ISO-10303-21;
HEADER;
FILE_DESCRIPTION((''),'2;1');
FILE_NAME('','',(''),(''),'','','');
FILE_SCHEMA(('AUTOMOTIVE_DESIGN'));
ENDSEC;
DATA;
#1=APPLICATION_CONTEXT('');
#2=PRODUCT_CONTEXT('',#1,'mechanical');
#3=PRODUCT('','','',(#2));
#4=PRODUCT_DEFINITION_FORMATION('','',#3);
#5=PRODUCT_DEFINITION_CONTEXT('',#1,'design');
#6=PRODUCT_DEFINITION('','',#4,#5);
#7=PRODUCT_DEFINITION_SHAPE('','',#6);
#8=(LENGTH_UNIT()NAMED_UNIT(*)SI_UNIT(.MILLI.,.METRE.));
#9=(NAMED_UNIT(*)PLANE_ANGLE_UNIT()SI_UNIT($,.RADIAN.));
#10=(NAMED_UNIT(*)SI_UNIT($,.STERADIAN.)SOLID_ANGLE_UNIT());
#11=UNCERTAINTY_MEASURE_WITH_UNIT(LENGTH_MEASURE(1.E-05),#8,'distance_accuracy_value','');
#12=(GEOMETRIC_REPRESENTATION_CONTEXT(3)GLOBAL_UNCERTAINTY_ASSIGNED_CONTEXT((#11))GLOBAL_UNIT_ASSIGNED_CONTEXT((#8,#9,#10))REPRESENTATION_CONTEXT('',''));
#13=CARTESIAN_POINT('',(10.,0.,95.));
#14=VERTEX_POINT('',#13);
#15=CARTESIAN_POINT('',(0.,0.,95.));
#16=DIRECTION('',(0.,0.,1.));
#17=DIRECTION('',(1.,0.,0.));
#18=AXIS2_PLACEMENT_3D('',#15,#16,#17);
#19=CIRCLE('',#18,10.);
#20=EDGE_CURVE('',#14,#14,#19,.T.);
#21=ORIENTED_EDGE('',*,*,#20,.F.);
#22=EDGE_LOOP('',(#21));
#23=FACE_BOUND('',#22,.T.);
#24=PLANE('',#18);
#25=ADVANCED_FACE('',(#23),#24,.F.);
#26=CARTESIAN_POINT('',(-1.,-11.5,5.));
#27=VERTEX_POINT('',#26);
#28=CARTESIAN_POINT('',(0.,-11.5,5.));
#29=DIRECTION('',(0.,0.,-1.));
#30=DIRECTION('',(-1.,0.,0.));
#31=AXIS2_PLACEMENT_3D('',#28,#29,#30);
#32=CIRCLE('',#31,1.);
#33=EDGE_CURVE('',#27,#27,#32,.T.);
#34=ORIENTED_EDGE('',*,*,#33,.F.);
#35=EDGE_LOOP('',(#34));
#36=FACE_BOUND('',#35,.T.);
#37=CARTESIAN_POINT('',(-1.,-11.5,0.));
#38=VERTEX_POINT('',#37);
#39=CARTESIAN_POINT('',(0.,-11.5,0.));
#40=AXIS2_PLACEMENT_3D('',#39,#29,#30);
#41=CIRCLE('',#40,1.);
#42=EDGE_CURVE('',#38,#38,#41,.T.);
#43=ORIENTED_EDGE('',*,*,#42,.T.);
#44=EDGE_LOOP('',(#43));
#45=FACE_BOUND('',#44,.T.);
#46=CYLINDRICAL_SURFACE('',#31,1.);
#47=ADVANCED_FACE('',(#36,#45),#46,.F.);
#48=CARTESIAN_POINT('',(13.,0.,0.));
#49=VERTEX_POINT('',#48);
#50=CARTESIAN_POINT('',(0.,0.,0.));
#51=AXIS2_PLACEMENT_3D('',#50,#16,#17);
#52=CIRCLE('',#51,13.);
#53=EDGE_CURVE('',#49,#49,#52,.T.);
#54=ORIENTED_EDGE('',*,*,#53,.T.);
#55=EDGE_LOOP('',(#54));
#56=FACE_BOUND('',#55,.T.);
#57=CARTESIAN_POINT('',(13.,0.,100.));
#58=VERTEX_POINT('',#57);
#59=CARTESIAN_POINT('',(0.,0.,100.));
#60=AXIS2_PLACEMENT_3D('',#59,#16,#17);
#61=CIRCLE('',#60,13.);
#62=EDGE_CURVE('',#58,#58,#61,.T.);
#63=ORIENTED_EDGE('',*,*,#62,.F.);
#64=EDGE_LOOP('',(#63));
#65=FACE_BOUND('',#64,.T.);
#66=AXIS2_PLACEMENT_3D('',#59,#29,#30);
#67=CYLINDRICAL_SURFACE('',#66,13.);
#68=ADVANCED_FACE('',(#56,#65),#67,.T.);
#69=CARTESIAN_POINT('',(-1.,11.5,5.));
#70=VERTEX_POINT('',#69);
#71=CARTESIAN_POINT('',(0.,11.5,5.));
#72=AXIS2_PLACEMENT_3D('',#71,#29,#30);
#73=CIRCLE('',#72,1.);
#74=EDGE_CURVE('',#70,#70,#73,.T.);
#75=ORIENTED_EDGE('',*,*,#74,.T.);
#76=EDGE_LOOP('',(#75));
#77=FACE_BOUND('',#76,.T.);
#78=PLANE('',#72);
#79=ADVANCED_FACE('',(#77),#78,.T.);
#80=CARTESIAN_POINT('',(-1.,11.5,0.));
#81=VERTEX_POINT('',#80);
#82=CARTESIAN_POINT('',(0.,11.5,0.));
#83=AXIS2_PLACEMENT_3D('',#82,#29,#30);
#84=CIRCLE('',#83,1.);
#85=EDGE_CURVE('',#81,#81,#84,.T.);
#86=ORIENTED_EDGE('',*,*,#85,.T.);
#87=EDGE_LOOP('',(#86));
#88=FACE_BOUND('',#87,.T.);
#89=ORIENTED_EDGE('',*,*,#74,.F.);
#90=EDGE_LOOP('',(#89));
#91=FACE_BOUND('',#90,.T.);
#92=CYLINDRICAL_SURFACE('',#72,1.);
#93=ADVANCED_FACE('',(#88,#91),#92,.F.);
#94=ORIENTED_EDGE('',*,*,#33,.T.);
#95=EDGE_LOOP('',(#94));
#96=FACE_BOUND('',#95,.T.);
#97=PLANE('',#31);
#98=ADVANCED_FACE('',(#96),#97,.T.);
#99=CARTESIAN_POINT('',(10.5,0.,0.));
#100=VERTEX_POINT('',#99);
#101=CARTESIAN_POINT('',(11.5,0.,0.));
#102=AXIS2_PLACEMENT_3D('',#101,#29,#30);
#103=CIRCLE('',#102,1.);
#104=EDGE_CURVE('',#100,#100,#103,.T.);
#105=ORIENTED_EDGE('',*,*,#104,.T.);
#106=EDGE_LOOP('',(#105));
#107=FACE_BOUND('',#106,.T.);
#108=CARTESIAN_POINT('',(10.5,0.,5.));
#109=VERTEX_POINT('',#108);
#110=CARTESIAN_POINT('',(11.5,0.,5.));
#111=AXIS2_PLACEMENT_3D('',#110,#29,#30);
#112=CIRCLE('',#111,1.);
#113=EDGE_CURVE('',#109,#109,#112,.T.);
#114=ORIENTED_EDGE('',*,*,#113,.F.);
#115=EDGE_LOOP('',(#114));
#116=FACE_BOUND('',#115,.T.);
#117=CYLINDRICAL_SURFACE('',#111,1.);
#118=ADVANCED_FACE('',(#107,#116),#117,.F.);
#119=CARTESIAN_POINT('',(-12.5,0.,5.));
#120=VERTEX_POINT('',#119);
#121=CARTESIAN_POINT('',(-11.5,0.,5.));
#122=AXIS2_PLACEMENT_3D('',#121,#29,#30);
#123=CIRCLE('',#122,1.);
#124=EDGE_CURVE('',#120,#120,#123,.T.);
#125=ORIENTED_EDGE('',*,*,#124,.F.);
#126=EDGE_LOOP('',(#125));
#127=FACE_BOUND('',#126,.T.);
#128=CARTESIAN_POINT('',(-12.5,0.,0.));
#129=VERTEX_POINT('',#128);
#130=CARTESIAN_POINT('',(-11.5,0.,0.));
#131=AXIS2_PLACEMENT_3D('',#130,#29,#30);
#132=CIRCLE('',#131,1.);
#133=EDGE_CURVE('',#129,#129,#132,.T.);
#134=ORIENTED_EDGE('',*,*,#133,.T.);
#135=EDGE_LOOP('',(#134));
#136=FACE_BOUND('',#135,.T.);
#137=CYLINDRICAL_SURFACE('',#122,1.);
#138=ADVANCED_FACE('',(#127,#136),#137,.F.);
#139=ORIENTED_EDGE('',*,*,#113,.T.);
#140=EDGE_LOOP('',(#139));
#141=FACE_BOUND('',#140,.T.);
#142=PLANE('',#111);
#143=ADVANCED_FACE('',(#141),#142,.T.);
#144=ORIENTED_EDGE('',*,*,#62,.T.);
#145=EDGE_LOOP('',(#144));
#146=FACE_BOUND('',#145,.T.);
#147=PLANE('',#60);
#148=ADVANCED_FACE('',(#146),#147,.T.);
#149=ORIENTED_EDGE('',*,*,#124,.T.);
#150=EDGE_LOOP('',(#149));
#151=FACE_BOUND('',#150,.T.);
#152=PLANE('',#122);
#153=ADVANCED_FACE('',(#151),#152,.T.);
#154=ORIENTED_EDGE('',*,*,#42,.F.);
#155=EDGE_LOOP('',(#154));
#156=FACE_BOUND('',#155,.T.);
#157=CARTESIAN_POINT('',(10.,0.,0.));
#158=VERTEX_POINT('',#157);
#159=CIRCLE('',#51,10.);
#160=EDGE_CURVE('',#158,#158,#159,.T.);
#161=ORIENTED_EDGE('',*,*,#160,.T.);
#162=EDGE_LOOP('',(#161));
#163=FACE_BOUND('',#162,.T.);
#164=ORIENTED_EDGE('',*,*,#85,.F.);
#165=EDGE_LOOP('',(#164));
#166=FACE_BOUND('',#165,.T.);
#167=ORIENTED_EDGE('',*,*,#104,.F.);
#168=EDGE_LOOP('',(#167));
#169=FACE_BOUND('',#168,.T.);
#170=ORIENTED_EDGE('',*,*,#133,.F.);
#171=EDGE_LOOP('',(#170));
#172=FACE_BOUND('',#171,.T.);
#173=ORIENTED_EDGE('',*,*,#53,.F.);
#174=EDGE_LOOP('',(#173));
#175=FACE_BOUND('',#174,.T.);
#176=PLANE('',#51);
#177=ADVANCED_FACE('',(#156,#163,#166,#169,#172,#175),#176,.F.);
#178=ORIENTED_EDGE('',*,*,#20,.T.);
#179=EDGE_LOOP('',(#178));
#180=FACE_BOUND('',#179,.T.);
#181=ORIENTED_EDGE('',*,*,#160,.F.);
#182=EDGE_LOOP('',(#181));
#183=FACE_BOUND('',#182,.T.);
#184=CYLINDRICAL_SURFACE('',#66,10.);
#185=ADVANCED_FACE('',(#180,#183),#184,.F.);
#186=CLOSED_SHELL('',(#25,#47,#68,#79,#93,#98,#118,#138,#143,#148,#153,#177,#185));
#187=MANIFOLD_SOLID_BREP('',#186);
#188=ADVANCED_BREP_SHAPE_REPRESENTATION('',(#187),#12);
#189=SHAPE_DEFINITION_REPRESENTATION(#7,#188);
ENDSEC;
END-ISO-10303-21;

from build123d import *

# Parameters (mm, degrees)
SKETCH_1_R          = 13
SKETCH_1_R_2        = 10
EXTRUDE_1_DEPTH     = 100
EXTRUDE_START       = -5
SKETCH_2_R          = 13
EXTRUDE_2_DEPTH     = 5
SKETCH_3_R          = 1
CUT_EXTRUDE_1_DEPTH = 5


with BuildPart() as part:
    # 草图1 → 凸台-拉伸1 (new body)
    with BuildSketch(Plane.XY):
        Circle(SKETCH_1_R)
        Circle(SKETCH_1_R_2, mode=Mode.SUBTRACT)
    extrude(amount=EXTRUDE_1_DEPTH)

    # 草图2 → 凸台-拉伸2 (add)
    with BuildSketch(Plane.XY.offset(100).offset(EXTRUDE_START)):
        Circle(SKETCH_2_R)
    extrude(amount=EXTRUDE_2_DEPTH)

    # 草图3 → 切除-拉伸1 (cut)
    with BuildSketch(Plane(origin=(0, 0, 0), x_dir=(-1, 0, 0), z_dir=(0, 0, -1))):
        with Locations((0, 11.5)):
            Circle(SKETCH_3_R)
        with Locations((11.5, 0)):
            Circle(SKETCH_3_R)
        with Locations((0, -11.5)):
            Circle(SKETCH_3_R)
        with Locations((-11.5, 0)):
            Circle(SKETCH_3_R)
    extrude(amount=-CUT_EXTRUDE_1_DEPTH, mode=Mode.SUBTRACT)


solid = part.part
